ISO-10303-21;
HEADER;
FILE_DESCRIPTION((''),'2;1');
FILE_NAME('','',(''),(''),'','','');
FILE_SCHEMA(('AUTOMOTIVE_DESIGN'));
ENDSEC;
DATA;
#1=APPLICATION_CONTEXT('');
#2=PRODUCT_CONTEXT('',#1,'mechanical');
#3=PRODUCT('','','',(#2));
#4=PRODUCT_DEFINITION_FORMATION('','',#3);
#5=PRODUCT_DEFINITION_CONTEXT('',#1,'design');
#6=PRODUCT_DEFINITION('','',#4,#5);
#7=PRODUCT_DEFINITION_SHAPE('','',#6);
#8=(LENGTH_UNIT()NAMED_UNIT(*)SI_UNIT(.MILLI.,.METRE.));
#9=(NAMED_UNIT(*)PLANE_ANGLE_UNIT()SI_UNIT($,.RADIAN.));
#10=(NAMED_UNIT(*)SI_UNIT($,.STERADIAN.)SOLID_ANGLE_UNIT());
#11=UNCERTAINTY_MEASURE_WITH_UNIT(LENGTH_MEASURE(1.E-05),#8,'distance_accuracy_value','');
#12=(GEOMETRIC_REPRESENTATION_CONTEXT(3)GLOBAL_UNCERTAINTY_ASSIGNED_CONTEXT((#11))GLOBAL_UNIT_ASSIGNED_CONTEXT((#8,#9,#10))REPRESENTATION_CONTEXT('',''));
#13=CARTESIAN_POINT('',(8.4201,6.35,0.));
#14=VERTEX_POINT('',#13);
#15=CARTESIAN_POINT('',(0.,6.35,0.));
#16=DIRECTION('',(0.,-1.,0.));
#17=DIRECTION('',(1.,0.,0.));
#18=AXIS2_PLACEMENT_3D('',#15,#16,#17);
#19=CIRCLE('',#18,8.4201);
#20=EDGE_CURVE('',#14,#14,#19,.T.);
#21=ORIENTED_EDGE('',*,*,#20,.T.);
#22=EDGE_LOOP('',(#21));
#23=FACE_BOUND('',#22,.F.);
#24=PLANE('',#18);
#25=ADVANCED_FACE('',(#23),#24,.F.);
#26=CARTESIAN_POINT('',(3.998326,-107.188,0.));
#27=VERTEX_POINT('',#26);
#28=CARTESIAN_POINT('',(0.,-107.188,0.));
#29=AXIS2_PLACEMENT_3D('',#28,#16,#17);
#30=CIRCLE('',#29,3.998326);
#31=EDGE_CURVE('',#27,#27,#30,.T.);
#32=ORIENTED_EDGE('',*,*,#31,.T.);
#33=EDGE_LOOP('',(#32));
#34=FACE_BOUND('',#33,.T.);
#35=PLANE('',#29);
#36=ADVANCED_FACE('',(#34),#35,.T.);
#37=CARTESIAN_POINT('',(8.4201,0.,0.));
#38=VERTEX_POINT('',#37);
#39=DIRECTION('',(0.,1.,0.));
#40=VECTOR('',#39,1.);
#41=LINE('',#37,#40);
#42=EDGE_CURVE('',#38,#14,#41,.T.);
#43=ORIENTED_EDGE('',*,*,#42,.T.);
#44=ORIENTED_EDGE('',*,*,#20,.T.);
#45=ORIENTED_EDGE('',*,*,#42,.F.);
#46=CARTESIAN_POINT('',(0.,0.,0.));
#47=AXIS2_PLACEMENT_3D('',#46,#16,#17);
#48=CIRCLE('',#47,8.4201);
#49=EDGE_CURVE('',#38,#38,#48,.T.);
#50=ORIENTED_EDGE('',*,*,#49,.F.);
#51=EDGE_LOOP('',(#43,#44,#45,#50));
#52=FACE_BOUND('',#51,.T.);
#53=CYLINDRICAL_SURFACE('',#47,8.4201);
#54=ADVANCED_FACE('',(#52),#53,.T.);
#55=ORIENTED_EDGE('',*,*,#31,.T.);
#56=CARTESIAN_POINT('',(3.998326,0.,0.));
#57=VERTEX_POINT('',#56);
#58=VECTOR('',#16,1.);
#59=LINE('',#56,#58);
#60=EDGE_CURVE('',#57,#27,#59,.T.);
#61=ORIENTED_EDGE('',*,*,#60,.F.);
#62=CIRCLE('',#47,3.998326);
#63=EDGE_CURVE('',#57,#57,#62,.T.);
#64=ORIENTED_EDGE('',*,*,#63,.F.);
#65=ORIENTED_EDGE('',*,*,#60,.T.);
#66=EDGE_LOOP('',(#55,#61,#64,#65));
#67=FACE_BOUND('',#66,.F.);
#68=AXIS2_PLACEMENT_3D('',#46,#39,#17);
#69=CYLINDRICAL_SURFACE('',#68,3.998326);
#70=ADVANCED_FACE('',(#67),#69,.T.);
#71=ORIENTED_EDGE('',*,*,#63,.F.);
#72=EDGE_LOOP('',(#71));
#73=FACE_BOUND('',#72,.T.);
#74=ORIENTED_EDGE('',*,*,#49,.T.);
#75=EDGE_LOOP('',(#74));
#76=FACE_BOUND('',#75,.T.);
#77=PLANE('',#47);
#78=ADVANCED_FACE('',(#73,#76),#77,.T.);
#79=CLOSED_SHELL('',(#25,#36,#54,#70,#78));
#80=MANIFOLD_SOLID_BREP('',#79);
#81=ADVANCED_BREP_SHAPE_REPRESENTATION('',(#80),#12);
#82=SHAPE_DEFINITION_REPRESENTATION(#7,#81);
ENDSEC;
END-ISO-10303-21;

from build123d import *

# Parameters (mm, degrees)
F0_R     = 3.998326
F1_DEPTH = 107.188
F2_R     = 8.4201
F3_DEPTH = 6.35


with BuildPart() as f1:
    # F0 (on Front) → F1 (new body)
    with BuildSketch(Plane.XZ):
        Circle(F0_R)
    extrude(amount=F1_DEPTH)

    # F2 (on Front) → F3 (join)
    with BuildSketch(Plane.XZ):
        Circle(F2_R)
    extrude(amount=-F3_DEPTH)


solid = f1.part
